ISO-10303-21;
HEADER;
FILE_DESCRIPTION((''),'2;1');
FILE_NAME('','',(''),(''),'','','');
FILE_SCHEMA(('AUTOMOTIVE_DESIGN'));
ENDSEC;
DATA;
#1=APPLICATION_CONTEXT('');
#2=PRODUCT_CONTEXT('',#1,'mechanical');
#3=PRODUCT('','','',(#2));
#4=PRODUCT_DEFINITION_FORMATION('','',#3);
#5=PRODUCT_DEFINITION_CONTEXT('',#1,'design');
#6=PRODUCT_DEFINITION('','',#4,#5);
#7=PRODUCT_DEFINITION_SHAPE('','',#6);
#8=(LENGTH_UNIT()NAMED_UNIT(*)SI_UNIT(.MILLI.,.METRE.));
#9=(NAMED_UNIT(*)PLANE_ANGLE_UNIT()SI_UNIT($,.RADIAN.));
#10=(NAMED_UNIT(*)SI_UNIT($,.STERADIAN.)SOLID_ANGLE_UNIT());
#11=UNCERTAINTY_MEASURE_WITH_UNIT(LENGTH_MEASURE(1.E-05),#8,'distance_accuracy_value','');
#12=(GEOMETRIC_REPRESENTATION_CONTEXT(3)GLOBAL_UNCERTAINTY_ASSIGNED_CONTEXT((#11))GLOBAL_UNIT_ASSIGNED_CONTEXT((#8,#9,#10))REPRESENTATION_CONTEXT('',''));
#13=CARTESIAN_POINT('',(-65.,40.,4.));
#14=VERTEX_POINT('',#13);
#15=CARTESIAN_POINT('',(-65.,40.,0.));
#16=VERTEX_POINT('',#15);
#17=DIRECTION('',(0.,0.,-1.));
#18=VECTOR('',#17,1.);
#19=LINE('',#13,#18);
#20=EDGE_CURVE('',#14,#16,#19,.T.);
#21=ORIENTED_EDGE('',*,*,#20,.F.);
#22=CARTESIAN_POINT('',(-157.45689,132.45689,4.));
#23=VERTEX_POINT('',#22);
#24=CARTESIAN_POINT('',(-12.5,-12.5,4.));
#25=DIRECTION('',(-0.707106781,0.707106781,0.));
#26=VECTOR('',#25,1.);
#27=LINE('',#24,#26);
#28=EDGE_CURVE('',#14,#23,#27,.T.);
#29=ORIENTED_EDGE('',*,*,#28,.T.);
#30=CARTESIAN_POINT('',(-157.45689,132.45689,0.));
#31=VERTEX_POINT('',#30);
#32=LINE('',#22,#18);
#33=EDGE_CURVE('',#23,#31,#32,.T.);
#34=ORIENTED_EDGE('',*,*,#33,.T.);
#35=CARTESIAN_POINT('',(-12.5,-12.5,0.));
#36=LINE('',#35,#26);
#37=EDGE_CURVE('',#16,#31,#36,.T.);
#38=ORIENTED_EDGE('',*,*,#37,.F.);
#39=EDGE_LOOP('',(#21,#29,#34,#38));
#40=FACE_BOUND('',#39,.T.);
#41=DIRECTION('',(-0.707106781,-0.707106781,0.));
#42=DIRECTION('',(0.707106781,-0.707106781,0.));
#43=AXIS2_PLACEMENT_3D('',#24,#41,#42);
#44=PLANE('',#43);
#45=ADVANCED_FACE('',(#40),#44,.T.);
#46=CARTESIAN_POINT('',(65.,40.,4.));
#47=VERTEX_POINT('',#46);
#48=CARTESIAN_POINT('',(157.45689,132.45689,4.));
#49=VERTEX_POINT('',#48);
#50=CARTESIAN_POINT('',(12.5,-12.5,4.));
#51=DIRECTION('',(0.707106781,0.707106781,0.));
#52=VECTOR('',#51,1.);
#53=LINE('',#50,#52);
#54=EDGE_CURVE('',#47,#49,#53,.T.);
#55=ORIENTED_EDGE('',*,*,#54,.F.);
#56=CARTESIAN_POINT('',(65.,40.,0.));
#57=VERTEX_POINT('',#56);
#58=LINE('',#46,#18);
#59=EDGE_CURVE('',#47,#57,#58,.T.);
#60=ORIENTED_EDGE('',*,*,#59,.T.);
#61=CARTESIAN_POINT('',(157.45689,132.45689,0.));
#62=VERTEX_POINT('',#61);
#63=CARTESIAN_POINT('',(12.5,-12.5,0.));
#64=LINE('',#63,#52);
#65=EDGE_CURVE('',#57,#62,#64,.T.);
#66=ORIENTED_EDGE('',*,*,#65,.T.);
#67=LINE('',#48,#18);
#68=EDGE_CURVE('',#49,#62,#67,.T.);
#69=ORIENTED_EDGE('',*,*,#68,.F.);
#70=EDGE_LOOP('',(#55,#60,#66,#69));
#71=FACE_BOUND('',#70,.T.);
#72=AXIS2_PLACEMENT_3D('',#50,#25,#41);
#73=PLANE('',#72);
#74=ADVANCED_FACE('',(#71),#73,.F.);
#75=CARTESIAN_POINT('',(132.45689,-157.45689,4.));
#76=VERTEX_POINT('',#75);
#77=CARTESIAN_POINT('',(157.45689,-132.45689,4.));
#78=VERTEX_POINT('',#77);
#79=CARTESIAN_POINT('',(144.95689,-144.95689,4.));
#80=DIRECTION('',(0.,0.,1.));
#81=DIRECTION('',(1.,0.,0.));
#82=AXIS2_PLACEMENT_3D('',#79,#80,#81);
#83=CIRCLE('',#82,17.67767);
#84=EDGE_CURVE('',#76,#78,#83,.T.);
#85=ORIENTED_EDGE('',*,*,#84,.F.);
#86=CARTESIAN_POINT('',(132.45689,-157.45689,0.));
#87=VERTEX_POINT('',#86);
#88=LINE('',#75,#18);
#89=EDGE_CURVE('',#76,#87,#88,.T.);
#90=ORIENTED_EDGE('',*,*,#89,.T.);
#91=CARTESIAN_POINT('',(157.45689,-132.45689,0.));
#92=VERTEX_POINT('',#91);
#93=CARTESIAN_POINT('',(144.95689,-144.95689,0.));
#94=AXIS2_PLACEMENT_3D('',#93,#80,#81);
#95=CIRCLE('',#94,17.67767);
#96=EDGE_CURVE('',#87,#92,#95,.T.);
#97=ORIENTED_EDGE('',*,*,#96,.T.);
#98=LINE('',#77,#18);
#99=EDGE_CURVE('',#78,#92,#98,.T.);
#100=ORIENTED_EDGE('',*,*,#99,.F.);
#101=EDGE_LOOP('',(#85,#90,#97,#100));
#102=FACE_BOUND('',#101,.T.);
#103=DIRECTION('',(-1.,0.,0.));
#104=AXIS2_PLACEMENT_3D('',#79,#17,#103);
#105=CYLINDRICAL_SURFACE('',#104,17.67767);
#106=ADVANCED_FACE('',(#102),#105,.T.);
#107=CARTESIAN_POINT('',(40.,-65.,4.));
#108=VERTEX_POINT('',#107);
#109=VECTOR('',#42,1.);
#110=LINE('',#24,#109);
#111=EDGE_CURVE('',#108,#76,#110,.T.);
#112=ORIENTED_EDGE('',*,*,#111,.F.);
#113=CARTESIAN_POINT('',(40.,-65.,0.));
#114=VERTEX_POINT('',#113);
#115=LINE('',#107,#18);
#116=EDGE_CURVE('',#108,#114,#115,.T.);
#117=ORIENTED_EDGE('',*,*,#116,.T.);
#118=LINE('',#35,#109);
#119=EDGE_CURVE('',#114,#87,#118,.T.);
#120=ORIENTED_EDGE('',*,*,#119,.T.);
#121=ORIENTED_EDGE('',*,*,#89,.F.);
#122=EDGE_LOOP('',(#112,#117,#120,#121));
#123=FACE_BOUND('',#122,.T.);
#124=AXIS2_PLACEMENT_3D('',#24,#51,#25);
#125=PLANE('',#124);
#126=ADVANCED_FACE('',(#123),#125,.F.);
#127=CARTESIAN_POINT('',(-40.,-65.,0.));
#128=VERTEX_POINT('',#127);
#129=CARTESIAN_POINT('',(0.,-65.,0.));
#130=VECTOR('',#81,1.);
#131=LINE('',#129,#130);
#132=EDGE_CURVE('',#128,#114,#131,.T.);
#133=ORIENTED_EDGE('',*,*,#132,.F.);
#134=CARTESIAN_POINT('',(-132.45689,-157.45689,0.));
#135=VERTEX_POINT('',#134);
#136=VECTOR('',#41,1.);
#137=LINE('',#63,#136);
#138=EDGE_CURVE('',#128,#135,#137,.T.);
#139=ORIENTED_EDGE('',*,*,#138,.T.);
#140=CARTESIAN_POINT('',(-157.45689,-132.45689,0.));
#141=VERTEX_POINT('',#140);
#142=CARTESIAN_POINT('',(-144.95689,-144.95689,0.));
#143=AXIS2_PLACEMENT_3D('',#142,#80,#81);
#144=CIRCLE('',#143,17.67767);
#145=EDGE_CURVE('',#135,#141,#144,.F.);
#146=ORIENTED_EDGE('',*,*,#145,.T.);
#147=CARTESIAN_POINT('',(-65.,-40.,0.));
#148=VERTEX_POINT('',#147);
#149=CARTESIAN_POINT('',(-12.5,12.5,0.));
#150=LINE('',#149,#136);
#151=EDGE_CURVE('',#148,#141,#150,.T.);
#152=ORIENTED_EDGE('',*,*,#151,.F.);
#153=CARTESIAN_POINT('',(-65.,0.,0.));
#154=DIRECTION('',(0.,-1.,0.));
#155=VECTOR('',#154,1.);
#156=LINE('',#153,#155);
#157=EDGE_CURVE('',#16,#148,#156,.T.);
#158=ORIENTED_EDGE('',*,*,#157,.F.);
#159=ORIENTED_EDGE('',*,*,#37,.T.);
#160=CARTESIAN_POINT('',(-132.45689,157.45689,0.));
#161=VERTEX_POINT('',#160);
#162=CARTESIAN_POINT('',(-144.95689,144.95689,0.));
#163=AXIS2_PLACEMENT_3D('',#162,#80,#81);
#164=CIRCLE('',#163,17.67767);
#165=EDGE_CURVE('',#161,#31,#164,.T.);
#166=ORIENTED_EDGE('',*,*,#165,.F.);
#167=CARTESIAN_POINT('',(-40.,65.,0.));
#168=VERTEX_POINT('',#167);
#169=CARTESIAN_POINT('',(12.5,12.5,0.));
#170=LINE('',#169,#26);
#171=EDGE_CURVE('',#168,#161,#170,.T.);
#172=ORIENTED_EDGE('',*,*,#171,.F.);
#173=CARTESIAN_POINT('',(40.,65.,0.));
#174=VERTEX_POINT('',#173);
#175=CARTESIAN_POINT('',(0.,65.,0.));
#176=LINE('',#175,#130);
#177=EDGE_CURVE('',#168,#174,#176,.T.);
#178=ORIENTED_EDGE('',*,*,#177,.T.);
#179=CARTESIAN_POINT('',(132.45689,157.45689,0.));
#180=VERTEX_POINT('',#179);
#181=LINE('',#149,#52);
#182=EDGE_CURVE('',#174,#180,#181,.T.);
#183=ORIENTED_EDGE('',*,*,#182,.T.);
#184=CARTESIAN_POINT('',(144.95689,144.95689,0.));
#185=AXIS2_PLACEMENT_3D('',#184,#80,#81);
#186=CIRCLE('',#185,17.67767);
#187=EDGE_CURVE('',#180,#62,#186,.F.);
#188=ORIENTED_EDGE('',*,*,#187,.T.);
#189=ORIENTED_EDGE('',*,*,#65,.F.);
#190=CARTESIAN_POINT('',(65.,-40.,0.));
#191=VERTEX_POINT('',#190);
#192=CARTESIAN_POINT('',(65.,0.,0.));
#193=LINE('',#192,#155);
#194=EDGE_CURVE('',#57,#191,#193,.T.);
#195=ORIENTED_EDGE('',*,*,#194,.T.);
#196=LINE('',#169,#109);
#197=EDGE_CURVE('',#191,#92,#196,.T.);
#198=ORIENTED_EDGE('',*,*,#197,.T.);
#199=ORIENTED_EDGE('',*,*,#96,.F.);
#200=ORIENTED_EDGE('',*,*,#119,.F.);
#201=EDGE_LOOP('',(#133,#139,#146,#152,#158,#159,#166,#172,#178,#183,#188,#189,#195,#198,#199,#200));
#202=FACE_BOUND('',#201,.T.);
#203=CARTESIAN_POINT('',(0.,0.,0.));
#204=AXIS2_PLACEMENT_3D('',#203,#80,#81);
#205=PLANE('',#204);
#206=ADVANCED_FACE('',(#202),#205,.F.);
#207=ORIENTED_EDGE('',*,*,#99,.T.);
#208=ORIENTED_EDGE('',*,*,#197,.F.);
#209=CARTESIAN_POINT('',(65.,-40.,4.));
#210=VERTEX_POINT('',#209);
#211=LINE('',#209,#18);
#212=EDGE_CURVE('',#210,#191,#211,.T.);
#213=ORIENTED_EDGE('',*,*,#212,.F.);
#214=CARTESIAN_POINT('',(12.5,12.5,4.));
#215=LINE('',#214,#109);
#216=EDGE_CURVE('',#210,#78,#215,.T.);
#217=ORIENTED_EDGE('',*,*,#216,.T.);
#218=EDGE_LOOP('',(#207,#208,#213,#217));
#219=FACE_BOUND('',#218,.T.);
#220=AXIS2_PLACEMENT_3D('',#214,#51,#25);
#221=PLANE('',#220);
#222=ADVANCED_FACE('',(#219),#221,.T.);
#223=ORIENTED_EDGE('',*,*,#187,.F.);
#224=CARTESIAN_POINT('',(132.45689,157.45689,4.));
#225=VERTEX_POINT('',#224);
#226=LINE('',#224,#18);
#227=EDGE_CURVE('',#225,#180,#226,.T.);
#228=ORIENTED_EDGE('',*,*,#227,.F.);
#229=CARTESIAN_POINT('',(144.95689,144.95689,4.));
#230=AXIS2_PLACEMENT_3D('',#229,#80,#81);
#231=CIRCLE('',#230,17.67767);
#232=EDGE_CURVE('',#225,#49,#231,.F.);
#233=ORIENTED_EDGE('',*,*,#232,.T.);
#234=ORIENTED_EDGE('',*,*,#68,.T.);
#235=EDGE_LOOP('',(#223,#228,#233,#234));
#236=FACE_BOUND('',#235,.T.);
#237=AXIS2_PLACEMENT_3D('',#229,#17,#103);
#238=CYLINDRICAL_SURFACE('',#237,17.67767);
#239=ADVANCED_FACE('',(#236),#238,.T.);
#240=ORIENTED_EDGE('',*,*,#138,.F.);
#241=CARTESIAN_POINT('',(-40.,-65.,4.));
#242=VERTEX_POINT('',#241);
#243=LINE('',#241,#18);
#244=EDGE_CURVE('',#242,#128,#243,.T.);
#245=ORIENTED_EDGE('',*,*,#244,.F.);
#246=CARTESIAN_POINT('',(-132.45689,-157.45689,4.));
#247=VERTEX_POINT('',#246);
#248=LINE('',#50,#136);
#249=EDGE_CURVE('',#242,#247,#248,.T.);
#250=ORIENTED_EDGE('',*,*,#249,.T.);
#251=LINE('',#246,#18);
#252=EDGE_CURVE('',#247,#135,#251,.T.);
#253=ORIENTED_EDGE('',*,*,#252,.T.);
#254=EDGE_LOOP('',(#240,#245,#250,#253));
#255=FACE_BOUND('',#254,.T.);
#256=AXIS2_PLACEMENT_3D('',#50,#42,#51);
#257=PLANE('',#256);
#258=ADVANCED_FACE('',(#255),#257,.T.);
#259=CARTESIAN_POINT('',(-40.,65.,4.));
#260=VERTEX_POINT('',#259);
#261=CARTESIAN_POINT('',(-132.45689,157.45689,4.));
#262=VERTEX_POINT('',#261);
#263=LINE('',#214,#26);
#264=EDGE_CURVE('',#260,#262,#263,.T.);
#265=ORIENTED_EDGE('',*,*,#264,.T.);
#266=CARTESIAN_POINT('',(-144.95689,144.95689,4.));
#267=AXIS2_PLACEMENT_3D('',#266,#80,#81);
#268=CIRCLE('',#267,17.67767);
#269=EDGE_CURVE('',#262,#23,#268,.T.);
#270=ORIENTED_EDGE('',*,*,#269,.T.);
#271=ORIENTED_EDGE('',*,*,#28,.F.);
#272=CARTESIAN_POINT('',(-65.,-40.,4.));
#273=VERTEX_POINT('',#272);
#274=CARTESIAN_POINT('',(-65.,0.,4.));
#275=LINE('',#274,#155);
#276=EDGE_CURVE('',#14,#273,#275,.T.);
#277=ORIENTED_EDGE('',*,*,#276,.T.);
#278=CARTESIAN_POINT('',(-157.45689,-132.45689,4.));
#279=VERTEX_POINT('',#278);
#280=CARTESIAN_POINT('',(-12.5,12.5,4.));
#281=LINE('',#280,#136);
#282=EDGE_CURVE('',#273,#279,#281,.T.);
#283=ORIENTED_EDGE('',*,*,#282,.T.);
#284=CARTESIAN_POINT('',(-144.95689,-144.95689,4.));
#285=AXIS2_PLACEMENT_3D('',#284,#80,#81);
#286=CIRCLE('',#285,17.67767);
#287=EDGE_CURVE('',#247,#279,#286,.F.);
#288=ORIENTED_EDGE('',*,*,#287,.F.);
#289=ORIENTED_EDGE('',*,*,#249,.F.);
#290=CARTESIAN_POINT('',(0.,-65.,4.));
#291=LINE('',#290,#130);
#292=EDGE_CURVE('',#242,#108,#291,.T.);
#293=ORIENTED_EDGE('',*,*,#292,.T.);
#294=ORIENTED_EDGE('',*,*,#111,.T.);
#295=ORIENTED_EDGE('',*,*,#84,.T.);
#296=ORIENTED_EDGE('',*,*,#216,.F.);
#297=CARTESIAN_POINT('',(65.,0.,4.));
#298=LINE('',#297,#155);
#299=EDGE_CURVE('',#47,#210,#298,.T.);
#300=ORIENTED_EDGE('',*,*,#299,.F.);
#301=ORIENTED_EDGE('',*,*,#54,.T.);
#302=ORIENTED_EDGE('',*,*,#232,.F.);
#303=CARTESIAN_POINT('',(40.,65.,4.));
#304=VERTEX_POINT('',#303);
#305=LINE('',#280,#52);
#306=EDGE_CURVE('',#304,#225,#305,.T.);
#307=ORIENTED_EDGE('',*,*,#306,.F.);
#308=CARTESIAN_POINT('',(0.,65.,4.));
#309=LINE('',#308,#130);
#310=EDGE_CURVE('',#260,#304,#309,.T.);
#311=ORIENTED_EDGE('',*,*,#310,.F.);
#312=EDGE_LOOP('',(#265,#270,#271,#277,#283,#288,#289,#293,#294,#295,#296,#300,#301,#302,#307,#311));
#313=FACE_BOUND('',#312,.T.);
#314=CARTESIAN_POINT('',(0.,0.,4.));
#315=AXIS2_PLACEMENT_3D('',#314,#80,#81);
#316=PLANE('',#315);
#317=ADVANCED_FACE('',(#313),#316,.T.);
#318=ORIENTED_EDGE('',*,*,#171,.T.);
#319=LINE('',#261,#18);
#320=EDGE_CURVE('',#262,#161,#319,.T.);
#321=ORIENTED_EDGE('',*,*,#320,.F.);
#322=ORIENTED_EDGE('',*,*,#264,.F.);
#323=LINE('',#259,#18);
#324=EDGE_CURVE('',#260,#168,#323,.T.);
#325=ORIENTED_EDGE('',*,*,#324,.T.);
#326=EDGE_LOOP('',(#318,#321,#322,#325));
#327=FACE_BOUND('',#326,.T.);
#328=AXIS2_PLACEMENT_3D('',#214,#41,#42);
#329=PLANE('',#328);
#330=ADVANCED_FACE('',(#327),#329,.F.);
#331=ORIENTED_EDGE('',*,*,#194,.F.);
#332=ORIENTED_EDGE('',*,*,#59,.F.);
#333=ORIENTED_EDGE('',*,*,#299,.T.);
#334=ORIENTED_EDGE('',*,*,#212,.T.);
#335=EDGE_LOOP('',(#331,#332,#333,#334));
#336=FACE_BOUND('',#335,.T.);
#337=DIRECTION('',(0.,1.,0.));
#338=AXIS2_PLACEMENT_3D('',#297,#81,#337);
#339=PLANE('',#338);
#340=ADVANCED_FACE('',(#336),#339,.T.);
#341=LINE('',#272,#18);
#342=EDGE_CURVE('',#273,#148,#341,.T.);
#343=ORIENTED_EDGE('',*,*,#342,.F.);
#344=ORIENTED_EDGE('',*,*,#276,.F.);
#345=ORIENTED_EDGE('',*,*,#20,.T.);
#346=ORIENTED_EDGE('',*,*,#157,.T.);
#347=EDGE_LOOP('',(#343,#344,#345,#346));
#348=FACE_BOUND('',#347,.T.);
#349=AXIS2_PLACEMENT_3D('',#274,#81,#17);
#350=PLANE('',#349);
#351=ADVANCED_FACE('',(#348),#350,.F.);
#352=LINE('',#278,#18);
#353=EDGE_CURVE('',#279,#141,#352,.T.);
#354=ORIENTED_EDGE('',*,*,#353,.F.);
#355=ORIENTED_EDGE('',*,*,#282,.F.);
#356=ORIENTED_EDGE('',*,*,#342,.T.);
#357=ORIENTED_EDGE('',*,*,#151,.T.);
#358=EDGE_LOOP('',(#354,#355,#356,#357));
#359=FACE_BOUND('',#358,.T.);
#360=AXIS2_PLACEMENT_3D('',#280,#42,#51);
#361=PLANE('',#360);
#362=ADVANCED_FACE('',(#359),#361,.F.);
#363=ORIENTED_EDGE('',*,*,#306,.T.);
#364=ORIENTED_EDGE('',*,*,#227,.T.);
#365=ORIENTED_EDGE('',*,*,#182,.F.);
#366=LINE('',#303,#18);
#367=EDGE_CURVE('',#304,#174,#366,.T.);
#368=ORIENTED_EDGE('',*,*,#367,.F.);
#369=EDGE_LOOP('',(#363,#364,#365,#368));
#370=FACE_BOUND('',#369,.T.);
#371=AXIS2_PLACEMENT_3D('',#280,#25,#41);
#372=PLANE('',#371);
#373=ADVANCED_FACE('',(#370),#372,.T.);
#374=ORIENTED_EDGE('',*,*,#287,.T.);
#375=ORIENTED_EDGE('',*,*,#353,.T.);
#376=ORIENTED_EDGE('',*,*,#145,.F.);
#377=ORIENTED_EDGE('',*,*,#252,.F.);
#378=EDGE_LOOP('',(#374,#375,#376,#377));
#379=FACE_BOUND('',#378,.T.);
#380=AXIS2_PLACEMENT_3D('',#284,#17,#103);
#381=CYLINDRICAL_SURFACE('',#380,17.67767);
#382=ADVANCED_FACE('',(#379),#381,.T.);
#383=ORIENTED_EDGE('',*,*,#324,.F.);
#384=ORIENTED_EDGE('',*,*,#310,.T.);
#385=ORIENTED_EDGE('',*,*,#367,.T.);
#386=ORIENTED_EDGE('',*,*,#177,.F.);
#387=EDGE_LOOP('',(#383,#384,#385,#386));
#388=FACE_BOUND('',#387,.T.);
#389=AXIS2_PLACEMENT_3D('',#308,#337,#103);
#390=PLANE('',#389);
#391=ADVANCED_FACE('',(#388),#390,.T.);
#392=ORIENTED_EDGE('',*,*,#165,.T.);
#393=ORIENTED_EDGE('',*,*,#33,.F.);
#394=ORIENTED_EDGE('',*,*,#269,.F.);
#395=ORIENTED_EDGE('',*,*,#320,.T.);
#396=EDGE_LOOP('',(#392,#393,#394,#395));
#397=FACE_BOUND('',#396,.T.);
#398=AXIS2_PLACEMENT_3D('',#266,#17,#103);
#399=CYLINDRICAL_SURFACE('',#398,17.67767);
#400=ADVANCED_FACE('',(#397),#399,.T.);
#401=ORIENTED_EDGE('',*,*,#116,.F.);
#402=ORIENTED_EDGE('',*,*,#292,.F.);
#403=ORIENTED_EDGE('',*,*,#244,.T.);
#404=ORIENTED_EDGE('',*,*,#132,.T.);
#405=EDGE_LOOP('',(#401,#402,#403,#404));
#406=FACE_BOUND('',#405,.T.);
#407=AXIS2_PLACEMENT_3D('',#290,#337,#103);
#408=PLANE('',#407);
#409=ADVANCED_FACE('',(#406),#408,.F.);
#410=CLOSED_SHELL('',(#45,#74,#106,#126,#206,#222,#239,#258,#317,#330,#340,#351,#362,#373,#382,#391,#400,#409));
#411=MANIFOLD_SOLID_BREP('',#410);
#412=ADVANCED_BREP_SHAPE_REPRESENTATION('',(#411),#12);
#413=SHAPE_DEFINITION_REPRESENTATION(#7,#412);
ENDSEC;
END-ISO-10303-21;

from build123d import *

# Parameters (mm, degrees)
EXTRUDE_1_DEPTH = 4


with BuildPart() as part:
    # 草图1 → 凸台-拉伸1 (new body)
    with BuildSketch(Plane.XY):
        with BuildLine():
            ThreePointArc((-132.456890143, -157.456890143), (-157.456890143, -157.456890143), (-157.456890143, -132.456890143))
            Line((-157.456890143, -132.456890143), (-65, -40))
            Line((-65, -40), (-40, -65))
            Line((-40, -65), (-132.456890143, -157.456890143))
        make_face()
        with BuildLine():
            Line((-40, 65), (-132.456890143, 157.456890143))
            ThreePointArc((-132.456890143, 157.456890143), (-157.456890143, 157.456890143), (-157.456890143, 132.456890143))
            Line((-157.456890143, 132.456890143), (-65, 40))
            Line((-65, 40), (-40, 65))
        make_face()
        Polygon((-65, 40), (-65, -40), (-40, -65), (40, -65), (65, -40), (65, 40), (40, 65), (-40, 65), align=None)
        with BuildLine():
            Line((40, -65), (132.456890143, -157.456890143))
            ThreePointArc((132.456890143, -157.456890143), (157.456890143, -157.456890143), (157.456890143, -132.456890143))
            Line((157.456890143, -132.456890143), (65, -40))
            Line((65, -40), (40, -65))
        make_face()
        with BuildLine():
            ThreePointArc((132.456890143, 157.456890143), (157.456890143, 157.456890143), (157.456890143, 132.456890143))
            Line((157.456890143, 132.456890143), (65, 40))
            Line((65, 40), (40, 65))
            Line((40, 65), (132.456890143, 157.456890143))
        make_face()
    extrude(amount=EXTRUDE_1_DEPTH)


solid = part.part
